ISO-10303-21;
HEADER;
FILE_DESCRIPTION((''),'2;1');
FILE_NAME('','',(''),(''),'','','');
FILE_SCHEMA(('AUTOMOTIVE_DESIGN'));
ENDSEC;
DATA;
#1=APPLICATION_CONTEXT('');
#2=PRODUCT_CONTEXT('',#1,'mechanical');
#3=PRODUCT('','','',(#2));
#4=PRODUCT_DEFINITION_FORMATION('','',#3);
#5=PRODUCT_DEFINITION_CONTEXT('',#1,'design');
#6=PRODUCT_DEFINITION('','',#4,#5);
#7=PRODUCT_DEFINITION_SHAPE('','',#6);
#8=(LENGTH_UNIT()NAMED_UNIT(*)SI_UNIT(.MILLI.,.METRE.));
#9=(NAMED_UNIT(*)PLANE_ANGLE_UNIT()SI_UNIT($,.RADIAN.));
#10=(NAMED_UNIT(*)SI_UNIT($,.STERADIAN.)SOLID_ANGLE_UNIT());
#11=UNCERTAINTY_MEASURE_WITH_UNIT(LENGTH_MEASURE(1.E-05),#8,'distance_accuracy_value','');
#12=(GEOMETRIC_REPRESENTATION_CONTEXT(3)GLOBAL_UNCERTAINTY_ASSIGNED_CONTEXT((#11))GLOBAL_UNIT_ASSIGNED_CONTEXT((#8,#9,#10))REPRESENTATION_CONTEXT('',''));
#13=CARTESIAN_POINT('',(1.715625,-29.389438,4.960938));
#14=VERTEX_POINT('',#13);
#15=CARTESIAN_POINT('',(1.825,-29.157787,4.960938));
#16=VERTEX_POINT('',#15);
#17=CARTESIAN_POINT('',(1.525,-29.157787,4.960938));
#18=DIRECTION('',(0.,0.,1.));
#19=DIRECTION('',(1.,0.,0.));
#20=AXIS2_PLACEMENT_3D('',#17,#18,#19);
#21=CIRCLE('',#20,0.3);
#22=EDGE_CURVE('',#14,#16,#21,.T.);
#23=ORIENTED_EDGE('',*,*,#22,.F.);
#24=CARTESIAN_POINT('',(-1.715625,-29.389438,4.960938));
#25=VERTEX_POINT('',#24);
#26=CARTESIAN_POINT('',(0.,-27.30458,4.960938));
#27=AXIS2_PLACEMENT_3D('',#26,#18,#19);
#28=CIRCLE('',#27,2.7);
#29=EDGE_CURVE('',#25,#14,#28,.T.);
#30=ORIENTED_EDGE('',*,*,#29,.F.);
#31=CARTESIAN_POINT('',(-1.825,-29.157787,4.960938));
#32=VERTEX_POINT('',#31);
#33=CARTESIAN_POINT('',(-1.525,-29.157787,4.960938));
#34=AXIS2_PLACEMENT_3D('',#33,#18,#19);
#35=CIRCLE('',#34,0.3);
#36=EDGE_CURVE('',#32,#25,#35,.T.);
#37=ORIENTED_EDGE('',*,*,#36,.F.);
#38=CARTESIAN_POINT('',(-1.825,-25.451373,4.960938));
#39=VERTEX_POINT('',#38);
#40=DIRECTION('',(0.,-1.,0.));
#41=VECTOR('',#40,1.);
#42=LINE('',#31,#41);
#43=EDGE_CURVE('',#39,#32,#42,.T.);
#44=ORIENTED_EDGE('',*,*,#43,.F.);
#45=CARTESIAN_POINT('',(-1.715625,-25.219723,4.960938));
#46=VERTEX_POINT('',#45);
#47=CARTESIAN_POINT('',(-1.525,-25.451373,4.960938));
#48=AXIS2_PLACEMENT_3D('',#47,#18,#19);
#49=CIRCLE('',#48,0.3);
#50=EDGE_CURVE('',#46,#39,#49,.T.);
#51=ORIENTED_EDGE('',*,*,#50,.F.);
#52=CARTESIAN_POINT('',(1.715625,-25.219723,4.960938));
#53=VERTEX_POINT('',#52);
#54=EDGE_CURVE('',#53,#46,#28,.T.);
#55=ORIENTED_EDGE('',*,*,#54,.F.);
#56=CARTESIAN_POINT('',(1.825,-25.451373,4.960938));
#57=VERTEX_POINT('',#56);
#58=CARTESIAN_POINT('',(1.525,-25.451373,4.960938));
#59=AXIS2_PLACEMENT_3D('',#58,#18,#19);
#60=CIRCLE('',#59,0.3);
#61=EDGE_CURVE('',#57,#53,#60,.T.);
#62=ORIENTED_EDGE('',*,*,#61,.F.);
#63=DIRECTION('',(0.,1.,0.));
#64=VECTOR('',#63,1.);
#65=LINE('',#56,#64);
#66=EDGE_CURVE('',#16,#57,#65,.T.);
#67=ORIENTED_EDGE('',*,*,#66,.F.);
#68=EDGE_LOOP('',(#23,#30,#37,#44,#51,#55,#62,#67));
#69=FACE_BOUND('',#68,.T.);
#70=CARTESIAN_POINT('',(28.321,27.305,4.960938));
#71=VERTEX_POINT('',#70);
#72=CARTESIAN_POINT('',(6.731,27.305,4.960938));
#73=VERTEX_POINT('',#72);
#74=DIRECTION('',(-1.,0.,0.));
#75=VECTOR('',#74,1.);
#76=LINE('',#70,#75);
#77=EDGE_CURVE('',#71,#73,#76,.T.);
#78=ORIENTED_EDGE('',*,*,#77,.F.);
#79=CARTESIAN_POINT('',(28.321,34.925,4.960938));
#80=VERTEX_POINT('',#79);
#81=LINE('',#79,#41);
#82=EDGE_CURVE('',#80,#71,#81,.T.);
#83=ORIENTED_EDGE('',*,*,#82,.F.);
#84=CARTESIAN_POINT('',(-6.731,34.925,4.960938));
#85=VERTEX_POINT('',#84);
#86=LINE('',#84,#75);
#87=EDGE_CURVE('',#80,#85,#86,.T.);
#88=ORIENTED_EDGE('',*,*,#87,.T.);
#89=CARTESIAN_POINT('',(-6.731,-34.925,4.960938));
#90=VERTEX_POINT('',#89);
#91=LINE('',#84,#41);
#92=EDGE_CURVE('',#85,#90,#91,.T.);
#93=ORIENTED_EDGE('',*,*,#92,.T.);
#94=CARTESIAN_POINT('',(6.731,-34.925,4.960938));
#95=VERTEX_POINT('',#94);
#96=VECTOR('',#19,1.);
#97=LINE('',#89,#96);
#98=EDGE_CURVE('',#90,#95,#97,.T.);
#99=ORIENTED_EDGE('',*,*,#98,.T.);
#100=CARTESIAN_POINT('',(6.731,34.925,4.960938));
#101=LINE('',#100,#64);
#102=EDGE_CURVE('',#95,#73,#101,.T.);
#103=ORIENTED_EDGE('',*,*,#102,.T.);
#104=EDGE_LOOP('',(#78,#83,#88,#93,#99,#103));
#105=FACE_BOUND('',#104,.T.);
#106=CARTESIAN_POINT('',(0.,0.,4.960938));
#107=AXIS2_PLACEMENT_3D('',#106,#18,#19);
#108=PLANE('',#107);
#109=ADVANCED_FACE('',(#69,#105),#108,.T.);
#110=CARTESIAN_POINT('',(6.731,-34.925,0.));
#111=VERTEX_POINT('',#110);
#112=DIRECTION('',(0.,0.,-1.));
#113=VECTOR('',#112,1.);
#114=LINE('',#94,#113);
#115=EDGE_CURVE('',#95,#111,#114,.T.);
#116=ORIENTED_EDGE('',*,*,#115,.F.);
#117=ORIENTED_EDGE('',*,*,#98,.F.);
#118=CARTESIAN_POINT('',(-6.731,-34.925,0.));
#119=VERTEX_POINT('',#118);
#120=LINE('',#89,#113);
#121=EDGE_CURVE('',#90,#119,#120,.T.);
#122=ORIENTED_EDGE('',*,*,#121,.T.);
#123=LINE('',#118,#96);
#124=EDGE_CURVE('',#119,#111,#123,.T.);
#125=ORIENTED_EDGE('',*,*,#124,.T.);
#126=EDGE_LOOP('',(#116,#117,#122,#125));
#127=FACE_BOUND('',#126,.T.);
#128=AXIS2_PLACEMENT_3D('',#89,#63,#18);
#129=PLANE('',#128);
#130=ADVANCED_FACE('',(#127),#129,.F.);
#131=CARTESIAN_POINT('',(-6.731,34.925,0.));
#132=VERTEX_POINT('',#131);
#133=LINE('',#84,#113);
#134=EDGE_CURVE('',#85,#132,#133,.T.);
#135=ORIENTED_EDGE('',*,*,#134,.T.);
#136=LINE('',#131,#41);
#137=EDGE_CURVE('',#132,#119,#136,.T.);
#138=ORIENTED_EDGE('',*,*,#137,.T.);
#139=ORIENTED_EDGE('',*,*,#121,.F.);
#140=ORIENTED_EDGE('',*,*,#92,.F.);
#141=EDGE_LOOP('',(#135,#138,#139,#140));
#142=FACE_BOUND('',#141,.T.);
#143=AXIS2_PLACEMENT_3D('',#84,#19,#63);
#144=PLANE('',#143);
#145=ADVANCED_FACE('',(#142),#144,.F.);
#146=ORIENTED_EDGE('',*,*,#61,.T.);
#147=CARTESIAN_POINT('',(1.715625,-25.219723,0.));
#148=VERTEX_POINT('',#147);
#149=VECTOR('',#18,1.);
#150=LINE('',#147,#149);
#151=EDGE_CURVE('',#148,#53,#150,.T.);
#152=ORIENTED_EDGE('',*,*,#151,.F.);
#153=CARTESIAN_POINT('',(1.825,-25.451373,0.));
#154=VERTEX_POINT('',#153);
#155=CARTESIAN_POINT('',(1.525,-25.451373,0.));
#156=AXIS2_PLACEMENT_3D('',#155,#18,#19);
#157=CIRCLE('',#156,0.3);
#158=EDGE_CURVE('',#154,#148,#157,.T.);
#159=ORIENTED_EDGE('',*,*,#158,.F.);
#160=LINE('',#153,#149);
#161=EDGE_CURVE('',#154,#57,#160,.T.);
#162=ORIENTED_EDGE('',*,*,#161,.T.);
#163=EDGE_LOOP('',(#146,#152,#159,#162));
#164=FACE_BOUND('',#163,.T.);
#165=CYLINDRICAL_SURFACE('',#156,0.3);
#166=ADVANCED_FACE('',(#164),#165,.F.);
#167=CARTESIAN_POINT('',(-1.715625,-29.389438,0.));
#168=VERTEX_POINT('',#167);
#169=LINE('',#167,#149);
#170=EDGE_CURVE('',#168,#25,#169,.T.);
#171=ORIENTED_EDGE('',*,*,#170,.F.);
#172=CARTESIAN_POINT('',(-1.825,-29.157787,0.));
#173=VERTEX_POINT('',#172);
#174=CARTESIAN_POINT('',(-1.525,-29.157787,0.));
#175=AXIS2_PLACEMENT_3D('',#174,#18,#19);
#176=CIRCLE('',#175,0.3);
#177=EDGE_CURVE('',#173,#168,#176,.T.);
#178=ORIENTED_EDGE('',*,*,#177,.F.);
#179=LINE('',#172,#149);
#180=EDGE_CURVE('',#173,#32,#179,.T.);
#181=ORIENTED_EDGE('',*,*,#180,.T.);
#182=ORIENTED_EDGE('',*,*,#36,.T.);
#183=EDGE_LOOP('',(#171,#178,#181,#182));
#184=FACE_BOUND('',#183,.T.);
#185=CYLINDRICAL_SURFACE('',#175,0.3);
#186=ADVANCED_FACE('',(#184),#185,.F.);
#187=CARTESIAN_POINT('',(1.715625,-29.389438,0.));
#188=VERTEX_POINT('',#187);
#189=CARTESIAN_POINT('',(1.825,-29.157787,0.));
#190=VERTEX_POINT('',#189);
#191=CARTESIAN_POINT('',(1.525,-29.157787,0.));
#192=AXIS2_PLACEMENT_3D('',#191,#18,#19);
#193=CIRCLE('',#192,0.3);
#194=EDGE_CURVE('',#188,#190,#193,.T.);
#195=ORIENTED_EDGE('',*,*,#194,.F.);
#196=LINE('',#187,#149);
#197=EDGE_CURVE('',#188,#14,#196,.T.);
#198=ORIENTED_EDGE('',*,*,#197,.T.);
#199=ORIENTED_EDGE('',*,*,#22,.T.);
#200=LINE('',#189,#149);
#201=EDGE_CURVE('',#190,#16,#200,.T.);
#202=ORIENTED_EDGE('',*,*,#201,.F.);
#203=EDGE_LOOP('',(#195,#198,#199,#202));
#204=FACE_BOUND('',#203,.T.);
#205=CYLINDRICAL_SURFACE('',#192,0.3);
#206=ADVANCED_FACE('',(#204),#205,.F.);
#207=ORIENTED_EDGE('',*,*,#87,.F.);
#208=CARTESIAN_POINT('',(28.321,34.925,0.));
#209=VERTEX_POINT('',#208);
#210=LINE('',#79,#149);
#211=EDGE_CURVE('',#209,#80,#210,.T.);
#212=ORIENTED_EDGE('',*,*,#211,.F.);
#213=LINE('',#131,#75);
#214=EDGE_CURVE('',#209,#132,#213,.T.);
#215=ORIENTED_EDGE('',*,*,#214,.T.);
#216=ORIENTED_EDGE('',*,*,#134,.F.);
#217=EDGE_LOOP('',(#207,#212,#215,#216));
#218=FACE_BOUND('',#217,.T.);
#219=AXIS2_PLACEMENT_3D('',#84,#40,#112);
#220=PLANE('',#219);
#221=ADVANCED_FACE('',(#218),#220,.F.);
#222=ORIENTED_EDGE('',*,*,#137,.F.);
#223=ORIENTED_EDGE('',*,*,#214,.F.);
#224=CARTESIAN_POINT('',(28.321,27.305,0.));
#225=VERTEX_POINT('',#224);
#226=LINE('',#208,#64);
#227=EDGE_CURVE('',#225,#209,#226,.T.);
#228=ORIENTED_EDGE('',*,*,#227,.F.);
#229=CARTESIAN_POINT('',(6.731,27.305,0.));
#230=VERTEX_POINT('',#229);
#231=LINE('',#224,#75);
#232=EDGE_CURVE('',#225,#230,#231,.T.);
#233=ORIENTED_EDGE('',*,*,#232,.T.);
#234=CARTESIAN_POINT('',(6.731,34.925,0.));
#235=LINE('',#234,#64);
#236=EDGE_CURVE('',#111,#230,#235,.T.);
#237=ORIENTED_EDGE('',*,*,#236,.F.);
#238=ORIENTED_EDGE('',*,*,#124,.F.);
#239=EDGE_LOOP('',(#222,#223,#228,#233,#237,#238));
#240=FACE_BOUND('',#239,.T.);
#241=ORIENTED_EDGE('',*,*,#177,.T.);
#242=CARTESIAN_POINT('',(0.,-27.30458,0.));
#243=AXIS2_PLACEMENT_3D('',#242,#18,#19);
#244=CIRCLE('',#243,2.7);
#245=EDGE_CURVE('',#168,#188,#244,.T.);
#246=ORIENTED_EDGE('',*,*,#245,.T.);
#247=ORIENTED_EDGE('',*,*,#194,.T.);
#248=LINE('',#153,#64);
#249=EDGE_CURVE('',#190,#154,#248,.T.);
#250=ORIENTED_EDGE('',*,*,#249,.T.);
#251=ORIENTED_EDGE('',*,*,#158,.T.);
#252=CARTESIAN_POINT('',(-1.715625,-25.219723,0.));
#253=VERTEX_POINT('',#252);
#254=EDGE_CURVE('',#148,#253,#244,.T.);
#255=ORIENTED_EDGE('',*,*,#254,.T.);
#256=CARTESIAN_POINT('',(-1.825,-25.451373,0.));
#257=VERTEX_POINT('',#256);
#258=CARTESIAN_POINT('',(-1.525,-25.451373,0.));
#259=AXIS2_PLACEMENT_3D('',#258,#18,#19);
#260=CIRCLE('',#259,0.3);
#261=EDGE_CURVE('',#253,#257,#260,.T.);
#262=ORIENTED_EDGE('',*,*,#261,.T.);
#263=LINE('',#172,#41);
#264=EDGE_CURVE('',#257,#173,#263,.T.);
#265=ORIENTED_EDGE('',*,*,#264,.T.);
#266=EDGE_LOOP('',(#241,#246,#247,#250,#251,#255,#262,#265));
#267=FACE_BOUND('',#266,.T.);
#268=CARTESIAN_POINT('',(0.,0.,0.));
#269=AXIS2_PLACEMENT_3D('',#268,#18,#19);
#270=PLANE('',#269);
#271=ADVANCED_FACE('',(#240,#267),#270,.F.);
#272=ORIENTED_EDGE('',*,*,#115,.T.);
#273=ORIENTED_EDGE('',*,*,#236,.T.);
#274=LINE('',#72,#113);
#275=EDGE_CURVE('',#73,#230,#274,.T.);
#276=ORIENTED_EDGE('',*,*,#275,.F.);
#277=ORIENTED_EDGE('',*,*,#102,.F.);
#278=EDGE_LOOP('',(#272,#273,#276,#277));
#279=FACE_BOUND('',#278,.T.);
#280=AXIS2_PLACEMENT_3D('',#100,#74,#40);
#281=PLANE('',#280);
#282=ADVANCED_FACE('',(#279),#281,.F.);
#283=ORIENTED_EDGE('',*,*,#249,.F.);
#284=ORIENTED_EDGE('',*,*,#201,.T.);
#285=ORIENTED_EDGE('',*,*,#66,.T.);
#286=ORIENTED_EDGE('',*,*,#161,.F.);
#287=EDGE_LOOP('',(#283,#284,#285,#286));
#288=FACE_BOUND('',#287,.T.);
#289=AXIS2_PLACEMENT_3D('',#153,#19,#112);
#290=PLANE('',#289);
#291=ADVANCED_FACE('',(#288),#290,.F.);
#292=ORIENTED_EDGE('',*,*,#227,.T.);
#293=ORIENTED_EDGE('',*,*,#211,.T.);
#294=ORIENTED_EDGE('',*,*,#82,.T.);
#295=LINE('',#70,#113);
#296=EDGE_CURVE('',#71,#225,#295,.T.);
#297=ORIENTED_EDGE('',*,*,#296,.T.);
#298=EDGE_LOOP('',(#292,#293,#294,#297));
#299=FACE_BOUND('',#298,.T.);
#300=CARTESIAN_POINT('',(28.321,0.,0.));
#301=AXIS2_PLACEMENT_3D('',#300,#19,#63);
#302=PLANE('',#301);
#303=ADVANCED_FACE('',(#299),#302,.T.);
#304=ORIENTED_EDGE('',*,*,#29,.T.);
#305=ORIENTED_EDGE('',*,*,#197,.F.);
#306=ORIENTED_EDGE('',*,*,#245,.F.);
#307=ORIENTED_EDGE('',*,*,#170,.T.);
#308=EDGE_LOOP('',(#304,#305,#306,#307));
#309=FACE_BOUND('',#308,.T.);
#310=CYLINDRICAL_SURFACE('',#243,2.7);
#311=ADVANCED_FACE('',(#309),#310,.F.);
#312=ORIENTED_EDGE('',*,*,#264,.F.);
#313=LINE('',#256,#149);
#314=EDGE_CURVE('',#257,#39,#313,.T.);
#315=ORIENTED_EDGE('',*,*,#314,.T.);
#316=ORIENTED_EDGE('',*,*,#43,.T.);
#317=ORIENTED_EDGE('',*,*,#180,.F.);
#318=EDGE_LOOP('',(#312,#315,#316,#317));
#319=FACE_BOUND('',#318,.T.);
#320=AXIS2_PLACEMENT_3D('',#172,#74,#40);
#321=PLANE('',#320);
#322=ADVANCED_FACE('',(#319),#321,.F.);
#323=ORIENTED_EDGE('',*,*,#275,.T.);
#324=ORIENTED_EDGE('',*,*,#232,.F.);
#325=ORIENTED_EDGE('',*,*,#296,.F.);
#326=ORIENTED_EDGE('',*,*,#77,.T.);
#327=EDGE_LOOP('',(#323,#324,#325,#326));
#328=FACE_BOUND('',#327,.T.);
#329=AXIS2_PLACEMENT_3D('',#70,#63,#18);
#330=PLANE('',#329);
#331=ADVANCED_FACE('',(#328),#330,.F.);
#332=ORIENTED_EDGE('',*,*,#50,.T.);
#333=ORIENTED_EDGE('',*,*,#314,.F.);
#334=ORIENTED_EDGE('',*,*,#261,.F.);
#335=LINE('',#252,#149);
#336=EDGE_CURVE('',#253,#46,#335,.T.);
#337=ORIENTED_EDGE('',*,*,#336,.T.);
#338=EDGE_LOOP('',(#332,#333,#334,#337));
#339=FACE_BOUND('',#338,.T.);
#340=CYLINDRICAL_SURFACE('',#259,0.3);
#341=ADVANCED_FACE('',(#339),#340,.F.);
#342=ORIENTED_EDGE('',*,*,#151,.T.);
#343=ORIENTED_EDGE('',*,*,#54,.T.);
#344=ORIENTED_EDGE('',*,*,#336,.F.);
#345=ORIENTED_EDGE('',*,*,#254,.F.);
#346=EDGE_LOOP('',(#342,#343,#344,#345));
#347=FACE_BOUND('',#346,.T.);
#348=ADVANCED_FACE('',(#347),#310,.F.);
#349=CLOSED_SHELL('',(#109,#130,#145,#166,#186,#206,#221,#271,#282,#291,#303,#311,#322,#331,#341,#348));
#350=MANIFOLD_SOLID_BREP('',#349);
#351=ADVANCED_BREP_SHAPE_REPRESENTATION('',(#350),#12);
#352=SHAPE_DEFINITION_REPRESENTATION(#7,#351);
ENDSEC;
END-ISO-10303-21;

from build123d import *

# Parameters (mm, degrees)
SKETCH1_W           = 13.462
SKETCH1_H           = 69.85
BOSS_EXTRUDE1_DEPTH = 4.9609375
SKETCH2_W           = 4.9609375
SKETCH2_H           = 7.62
BOSS_EXTRUDE2_DEPTH = 21.59
SKETCH3_OUTSIDE_W   = 52.714
SKETCH3_OUTSIDE_H   = 87.512
CUT_EXTRUDE1_DEPTH  = 5.9609375


with BuildPart() as part:
    # Sketch1 → Boss-Extrude1 (new body)
    with BuildSketch(Plane.XY):
        Rectangle(SKETCH1_W, SKETCH1_H)
    extrude(amount=BOSS_EXTRUDE1_DEPTH)

    # Sketch2 → Boss-Extrude2 (add)
    with BuildSketch(Plane(origin=(6.731, 0, 0), x_dir=(0, 0, -1), z_dir=(1, 0, 0))):
        with Locations((-2.48046875, 31.115)):
            Rectangle(SKETCH2_W, SKETCH2_H)
    extrude(amount=BOSS_EXTRUDE2_DEPTH)

    # Sketch3 outside → Cut-Extrude1 (cut, through all)
    with BuildSketch(Plane.XY.offset(4.9609375)):
        with Locations((10.795, 0)):
            Rectangle(SKETCH3_OUTSIDE_W, SKETCH3_OUTSIDE_H)
        Polygon((6.731, -34.925), (6.731, 27.305), (28.321, 27.305), (28.321, 34.925), (-6.731, 34.925), (-6.731, -34.925), align=None, mode=Mode.SUBTRACT)
        with BuildLine():
            Line((-1.825, -29.157786744), (-1.825, -25.451373384))
            ThreePointArc((-1.825, -25.451373384), (-1.79628168, -25.323286499), (-1.715625, -25.219722549))
            ThreePointArc((-1.715625, -25.219722549), (0, -24.604580064), (1.715625, -25.219722549))
            ThreePointArc((1.715625, -25.219722549), (1.79628168, -25.323286499), (1.825, -25.451373384))
            Line((1.825, -25.451373384), (1.825, -29.157786744))
            ThreePointArc((1.825, -29.157786744), (1.79628168, -29.285873629), (1.715625, -29.389437579))
            ThreePointArc((1.715625, -29.389437579), (0, -30.004580064), (-1.715625, -29.389437579))
            ThreePointArc((-1.715625, -29.389437579), (-1.79628168, -29.285873629), (-1.825, -29.157786744))
        make_face()
    extrude(amount=-CUT_EXTRUDE1_DEPTH, mode=Mode.SUBTRACT)


solid = part.part
